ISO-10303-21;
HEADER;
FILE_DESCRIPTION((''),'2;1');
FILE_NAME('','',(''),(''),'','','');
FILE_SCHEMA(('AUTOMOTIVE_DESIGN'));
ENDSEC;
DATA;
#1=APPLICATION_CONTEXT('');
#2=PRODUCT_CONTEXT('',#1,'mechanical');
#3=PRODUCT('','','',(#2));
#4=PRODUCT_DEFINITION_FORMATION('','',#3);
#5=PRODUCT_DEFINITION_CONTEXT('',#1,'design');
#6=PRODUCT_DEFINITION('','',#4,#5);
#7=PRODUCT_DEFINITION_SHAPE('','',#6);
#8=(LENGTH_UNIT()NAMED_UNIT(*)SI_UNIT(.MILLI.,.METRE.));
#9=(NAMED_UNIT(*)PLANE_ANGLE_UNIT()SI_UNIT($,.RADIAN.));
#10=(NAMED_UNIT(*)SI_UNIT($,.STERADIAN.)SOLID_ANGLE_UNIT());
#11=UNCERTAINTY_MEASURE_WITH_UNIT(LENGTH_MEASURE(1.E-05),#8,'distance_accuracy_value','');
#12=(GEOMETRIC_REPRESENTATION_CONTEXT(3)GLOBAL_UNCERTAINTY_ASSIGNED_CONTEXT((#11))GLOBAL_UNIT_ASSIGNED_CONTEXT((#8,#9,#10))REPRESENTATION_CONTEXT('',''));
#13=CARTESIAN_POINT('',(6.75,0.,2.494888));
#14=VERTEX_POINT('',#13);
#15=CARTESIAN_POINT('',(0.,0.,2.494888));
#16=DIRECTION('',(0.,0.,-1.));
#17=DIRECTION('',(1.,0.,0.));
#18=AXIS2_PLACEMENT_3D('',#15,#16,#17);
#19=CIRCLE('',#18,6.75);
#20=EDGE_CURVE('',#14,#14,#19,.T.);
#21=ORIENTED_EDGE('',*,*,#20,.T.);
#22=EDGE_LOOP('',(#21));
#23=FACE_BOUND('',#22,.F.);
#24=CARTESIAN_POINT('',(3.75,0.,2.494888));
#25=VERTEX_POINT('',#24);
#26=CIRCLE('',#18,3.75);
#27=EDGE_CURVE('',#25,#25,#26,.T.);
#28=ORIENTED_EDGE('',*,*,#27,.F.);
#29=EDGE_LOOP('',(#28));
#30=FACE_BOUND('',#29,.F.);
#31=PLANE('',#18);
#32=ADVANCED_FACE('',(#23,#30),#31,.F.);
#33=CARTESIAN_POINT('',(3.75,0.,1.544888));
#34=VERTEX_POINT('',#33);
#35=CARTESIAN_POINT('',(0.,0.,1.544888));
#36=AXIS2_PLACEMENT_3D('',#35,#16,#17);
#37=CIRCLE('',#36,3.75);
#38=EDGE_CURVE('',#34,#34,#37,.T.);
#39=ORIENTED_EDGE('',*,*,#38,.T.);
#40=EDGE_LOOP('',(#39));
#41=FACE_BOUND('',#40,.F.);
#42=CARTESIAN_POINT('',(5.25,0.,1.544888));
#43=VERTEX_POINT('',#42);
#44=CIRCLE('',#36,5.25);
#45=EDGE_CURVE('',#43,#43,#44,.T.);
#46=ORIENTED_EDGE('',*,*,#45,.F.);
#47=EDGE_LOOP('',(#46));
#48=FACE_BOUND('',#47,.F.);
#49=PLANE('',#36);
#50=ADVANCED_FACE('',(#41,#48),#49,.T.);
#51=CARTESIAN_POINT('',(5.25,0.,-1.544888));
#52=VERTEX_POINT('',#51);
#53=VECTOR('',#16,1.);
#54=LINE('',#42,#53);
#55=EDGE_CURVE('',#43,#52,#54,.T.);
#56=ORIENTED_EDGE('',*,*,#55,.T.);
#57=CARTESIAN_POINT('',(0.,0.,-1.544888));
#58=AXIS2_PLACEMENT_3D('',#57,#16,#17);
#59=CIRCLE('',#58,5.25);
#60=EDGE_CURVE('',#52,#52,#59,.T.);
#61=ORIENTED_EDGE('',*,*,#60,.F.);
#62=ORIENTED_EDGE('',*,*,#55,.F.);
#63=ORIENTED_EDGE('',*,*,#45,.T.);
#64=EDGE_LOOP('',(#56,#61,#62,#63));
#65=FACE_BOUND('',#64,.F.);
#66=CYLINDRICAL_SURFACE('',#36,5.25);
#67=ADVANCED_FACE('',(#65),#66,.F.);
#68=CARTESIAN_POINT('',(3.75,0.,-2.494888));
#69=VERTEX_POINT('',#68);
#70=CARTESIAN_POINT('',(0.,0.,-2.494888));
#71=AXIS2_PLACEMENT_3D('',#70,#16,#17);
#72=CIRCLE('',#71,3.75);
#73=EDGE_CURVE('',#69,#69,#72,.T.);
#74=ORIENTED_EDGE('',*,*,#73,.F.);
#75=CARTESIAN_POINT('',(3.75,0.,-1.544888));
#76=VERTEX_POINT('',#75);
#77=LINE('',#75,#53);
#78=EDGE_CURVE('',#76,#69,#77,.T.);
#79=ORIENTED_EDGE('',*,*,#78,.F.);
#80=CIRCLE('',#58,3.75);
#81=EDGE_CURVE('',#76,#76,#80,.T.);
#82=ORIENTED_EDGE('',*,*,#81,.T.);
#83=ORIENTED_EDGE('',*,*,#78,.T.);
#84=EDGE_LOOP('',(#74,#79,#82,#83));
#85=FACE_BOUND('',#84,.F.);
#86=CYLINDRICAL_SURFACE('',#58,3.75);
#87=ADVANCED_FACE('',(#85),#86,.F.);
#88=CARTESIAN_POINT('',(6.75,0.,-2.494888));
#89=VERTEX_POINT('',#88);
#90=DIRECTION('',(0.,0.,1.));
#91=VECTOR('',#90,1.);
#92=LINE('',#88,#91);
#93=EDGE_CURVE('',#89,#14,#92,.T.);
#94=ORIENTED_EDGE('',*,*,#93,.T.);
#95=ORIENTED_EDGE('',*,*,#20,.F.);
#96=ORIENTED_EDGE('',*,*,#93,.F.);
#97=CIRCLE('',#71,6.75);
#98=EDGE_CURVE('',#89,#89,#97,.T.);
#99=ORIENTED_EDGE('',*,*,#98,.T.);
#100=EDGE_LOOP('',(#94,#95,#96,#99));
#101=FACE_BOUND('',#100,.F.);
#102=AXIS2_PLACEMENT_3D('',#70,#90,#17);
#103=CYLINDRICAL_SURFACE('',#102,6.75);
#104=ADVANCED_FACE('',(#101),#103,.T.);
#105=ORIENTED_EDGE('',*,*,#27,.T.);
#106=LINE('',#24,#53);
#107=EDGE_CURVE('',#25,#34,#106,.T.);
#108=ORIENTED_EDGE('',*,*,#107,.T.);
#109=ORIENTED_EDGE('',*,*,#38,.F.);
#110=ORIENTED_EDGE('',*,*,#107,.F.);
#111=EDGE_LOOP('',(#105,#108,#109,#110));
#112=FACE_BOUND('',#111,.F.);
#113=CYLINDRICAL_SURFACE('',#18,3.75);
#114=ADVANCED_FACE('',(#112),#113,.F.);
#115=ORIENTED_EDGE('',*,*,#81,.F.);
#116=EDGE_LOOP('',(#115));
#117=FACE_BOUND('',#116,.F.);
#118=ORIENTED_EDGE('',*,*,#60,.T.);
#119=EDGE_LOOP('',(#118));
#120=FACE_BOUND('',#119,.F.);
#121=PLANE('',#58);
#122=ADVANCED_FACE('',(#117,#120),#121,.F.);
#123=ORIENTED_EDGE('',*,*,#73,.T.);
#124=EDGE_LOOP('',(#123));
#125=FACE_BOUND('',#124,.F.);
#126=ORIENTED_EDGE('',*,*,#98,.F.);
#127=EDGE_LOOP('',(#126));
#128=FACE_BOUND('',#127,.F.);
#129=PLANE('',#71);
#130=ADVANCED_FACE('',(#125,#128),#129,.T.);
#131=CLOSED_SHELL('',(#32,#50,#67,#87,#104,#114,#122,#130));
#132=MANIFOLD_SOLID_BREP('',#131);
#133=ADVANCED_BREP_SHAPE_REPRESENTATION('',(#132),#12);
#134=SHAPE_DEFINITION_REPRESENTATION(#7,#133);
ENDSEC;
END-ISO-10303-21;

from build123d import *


with BuildPart() as f1:
    # F0 (on Front) → F1 (revolve)
    with BuildSketch(Plane.XZ):
        Polygon((2.25, -1.5448883603), (2.25, -2.4948883603), (3.7, -2.4948883603), (3.7, -1.4948883603), (3.75, -1.4948883603), (5.2, -1.4948883603), (5.2, 1.4948883603), (3.75, 1.4948883603), (3.7, 1.4948883603), (3.7, 2.4948883603), (2.25, 2.4948883603), (2.25, 1.5448883603), (2.25, 1.4948883603), (2.25, -1.4948883603), align=None)
    revolve(axis=Axis((0, 0, 0), (0, 0, -1)))


with BuildPart() as f1b:
    # F0 (on Front) → F1, piece 2 (revolve)
    with BuildSketch(Plane.XZ):
        Polygon((3.75, -2.4948883603), (6.75, -2.4948883603), (6.75, 2.4948883603), (3.75, 2.4948883603), (3.75, 1.5448883603), (5.25, 1.5448883603), (5.25, -1.5448883603), (3.75, -1.5448883603), align=None)
    revolve(axis=Axis((0, 0, 0), (0, 0, -1)))


solid = f1b.part
